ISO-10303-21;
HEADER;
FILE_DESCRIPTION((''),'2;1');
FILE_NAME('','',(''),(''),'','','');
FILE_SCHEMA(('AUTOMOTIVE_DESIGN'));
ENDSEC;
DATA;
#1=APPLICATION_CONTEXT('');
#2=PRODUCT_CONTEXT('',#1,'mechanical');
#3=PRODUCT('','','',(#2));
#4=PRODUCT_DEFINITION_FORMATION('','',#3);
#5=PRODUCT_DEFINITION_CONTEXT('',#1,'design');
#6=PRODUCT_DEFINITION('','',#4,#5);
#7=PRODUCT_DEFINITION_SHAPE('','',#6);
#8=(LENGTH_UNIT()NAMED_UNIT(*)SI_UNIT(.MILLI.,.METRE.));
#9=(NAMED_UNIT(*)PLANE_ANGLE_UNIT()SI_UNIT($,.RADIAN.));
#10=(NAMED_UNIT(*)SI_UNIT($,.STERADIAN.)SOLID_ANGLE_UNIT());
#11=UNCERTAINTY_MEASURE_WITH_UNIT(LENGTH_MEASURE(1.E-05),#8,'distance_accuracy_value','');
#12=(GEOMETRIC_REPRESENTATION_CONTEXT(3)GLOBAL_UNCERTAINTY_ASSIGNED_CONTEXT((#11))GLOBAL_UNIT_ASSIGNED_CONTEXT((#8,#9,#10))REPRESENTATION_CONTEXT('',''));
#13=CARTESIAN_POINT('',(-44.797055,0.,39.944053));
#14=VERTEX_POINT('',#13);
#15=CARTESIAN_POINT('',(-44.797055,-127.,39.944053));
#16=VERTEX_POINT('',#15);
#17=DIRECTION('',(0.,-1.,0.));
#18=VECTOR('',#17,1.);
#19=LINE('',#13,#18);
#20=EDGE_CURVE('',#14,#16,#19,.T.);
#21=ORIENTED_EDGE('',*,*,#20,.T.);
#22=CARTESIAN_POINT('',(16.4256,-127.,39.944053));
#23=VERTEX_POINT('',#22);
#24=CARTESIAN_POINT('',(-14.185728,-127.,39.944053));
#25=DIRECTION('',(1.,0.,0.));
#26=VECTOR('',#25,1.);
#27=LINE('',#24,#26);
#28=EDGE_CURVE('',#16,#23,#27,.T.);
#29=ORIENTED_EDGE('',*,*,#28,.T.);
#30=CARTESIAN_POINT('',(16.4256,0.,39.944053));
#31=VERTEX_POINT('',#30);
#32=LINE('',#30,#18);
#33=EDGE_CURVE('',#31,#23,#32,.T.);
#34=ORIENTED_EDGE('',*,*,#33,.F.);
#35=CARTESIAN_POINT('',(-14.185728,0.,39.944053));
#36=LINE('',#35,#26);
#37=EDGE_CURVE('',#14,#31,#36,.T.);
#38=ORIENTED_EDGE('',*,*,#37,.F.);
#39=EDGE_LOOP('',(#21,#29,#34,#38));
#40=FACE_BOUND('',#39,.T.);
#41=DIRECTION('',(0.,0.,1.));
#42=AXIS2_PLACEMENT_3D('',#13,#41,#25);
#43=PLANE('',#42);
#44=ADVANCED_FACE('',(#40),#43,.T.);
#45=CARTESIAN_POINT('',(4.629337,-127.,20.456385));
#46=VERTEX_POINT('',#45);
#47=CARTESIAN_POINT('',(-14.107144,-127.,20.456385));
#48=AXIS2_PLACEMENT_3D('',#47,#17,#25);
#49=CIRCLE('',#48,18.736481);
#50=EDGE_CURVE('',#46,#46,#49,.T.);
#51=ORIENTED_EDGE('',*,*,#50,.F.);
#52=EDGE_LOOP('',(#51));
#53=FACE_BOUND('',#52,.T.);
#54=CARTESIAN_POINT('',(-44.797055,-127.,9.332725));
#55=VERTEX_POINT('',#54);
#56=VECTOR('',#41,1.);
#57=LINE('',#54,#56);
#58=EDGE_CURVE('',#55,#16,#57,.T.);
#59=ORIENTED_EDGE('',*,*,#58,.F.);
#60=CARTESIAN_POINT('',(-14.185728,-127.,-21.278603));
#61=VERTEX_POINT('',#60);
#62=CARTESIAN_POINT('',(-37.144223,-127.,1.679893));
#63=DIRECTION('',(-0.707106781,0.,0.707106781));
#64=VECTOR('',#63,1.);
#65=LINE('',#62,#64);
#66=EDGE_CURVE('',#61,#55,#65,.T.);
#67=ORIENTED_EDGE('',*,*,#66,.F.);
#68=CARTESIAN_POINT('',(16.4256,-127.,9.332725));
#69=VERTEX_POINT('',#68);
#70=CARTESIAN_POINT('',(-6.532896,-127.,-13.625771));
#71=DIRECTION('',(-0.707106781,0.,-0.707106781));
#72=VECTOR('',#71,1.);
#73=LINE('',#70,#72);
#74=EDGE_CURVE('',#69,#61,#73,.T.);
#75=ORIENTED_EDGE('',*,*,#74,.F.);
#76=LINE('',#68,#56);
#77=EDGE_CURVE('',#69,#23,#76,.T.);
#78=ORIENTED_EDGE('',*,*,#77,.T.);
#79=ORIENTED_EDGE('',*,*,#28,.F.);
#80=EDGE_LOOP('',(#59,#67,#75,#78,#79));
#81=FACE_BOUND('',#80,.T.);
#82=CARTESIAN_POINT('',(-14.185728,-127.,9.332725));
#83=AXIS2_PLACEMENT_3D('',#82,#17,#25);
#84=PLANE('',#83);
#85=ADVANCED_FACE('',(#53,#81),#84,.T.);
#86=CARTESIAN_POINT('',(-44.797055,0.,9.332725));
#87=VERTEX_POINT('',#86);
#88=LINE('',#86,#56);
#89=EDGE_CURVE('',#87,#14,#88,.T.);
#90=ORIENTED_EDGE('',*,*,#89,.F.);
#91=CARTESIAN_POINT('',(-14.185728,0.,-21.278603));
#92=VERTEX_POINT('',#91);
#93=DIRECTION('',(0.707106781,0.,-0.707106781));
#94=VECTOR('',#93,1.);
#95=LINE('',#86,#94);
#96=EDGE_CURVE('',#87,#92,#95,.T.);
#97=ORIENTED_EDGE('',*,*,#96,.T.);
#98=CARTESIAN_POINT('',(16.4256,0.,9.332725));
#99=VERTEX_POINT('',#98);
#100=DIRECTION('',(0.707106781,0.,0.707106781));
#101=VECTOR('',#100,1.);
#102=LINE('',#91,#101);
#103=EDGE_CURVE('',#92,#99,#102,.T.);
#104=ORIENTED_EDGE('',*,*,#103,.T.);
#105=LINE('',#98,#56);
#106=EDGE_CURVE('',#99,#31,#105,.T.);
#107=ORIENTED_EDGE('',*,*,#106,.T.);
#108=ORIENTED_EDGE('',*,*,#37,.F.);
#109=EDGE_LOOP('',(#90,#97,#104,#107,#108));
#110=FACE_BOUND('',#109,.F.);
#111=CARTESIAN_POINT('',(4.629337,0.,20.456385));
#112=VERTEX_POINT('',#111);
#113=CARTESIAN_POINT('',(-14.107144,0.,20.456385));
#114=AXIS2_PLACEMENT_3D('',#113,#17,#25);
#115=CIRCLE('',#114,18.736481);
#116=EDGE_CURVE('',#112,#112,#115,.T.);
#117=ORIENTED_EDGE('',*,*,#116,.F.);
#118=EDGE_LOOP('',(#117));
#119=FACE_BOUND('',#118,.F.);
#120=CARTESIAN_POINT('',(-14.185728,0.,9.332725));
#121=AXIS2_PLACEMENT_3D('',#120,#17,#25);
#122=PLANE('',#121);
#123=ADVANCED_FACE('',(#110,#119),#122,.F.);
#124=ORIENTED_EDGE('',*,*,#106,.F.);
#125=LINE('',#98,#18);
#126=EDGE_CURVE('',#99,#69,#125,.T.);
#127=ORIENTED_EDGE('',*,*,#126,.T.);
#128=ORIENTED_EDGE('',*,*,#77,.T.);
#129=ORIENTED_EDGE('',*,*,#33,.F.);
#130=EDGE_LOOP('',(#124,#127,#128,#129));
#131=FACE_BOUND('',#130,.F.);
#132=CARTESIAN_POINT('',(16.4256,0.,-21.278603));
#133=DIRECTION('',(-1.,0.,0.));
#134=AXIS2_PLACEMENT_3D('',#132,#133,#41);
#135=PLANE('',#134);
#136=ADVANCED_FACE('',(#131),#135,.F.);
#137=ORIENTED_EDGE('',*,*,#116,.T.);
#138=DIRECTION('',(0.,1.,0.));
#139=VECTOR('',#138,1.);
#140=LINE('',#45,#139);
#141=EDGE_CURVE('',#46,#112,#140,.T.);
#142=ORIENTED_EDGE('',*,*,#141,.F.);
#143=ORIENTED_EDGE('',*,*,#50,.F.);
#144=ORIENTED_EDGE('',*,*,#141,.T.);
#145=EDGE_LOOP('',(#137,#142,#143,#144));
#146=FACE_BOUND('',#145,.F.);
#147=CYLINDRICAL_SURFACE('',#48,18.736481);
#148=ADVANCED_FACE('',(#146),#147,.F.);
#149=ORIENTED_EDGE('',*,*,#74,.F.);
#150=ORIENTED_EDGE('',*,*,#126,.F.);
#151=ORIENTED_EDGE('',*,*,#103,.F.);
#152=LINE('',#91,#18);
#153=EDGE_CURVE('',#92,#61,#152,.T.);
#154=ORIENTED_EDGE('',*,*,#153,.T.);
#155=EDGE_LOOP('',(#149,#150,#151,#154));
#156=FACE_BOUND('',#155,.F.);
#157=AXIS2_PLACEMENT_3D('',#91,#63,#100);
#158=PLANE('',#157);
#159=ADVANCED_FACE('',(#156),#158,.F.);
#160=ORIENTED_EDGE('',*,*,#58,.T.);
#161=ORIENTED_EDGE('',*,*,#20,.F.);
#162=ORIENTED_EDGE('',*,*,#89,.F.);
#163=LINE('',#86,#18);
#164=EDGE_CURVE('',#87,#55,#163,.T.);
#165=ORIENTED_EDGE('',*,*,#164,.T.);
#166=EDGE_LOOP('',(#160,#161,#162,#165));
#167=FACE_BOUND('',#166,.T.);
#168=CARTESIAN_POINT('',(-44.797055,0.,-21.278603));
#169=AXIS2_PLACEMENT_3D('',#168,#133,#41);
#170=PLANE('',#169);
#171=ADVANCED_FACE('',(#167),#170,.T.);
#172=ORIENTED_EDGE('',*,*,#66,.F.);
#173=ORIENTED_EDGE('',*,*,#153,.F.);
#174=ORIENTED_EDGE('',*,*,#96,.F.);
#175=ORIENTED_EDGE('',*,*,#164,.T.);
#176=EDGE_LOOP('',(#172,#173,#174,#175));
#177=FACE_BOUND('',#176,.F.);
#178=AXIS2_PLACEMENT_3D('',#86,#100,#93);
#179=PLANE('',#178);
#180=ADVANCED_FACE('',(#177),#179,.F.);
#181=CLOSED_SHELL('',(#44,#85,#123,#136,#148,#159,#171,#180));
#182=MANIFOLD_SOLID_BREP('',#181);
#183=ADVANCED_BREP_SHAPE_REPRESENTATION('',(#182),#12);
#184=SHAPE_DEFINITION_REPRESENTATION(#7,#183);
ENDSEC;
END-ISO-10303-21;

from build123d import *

# Parameters (mm, degrees)
F0_W     = 61.2226556987
F0_H     = 61.2226556987
F1_DEPTH = 127
F2_R     = 18.7364808047
F3_DEPTH = 127.001
F5_DEPTH = 127.001


with BuildPart() as f1:
    # F0 (on Front) → F1 (new body)
    with BuildSketch(Plane.XZ):
        with Locations((-14.1857275739, 9.3327248469)):
            Rectangle(F0_W, F0_H)
    extrude(amount=F1_DEPTH)

    # F2 (on face) → F3 (cut, through all)
    with BuildSketch(Plane.XZ.offset(127)):
        with Locations((-14.1071435064, 20.4563848674)):
            Circle(F2_R)
    extrude(amount=-F3_DEPTH, mode=Mode.SUBTRACT)

    # F4 (on face) → F5 (cut, through all)
    with BuildSketch(Plane(origin=(0, 0, 0), x_dir=(-1, 0, 0), z_dir=(0, 1, 0))):
        Polygon((-16.4256002754, -21.2786030024), (14.1857275739, -21.2786030024), (-16.4256002754, 9.3327248469), align=None)
        Polygon((44.7970554233, 9.3327248469), (14.1857275739, -21.2786030024), (44.7970554233, -21.2786030024), align=None)
    extrude(amount=-F5_DEPTH, mode=Mode.SUBTRACT)


solid = f1.part
